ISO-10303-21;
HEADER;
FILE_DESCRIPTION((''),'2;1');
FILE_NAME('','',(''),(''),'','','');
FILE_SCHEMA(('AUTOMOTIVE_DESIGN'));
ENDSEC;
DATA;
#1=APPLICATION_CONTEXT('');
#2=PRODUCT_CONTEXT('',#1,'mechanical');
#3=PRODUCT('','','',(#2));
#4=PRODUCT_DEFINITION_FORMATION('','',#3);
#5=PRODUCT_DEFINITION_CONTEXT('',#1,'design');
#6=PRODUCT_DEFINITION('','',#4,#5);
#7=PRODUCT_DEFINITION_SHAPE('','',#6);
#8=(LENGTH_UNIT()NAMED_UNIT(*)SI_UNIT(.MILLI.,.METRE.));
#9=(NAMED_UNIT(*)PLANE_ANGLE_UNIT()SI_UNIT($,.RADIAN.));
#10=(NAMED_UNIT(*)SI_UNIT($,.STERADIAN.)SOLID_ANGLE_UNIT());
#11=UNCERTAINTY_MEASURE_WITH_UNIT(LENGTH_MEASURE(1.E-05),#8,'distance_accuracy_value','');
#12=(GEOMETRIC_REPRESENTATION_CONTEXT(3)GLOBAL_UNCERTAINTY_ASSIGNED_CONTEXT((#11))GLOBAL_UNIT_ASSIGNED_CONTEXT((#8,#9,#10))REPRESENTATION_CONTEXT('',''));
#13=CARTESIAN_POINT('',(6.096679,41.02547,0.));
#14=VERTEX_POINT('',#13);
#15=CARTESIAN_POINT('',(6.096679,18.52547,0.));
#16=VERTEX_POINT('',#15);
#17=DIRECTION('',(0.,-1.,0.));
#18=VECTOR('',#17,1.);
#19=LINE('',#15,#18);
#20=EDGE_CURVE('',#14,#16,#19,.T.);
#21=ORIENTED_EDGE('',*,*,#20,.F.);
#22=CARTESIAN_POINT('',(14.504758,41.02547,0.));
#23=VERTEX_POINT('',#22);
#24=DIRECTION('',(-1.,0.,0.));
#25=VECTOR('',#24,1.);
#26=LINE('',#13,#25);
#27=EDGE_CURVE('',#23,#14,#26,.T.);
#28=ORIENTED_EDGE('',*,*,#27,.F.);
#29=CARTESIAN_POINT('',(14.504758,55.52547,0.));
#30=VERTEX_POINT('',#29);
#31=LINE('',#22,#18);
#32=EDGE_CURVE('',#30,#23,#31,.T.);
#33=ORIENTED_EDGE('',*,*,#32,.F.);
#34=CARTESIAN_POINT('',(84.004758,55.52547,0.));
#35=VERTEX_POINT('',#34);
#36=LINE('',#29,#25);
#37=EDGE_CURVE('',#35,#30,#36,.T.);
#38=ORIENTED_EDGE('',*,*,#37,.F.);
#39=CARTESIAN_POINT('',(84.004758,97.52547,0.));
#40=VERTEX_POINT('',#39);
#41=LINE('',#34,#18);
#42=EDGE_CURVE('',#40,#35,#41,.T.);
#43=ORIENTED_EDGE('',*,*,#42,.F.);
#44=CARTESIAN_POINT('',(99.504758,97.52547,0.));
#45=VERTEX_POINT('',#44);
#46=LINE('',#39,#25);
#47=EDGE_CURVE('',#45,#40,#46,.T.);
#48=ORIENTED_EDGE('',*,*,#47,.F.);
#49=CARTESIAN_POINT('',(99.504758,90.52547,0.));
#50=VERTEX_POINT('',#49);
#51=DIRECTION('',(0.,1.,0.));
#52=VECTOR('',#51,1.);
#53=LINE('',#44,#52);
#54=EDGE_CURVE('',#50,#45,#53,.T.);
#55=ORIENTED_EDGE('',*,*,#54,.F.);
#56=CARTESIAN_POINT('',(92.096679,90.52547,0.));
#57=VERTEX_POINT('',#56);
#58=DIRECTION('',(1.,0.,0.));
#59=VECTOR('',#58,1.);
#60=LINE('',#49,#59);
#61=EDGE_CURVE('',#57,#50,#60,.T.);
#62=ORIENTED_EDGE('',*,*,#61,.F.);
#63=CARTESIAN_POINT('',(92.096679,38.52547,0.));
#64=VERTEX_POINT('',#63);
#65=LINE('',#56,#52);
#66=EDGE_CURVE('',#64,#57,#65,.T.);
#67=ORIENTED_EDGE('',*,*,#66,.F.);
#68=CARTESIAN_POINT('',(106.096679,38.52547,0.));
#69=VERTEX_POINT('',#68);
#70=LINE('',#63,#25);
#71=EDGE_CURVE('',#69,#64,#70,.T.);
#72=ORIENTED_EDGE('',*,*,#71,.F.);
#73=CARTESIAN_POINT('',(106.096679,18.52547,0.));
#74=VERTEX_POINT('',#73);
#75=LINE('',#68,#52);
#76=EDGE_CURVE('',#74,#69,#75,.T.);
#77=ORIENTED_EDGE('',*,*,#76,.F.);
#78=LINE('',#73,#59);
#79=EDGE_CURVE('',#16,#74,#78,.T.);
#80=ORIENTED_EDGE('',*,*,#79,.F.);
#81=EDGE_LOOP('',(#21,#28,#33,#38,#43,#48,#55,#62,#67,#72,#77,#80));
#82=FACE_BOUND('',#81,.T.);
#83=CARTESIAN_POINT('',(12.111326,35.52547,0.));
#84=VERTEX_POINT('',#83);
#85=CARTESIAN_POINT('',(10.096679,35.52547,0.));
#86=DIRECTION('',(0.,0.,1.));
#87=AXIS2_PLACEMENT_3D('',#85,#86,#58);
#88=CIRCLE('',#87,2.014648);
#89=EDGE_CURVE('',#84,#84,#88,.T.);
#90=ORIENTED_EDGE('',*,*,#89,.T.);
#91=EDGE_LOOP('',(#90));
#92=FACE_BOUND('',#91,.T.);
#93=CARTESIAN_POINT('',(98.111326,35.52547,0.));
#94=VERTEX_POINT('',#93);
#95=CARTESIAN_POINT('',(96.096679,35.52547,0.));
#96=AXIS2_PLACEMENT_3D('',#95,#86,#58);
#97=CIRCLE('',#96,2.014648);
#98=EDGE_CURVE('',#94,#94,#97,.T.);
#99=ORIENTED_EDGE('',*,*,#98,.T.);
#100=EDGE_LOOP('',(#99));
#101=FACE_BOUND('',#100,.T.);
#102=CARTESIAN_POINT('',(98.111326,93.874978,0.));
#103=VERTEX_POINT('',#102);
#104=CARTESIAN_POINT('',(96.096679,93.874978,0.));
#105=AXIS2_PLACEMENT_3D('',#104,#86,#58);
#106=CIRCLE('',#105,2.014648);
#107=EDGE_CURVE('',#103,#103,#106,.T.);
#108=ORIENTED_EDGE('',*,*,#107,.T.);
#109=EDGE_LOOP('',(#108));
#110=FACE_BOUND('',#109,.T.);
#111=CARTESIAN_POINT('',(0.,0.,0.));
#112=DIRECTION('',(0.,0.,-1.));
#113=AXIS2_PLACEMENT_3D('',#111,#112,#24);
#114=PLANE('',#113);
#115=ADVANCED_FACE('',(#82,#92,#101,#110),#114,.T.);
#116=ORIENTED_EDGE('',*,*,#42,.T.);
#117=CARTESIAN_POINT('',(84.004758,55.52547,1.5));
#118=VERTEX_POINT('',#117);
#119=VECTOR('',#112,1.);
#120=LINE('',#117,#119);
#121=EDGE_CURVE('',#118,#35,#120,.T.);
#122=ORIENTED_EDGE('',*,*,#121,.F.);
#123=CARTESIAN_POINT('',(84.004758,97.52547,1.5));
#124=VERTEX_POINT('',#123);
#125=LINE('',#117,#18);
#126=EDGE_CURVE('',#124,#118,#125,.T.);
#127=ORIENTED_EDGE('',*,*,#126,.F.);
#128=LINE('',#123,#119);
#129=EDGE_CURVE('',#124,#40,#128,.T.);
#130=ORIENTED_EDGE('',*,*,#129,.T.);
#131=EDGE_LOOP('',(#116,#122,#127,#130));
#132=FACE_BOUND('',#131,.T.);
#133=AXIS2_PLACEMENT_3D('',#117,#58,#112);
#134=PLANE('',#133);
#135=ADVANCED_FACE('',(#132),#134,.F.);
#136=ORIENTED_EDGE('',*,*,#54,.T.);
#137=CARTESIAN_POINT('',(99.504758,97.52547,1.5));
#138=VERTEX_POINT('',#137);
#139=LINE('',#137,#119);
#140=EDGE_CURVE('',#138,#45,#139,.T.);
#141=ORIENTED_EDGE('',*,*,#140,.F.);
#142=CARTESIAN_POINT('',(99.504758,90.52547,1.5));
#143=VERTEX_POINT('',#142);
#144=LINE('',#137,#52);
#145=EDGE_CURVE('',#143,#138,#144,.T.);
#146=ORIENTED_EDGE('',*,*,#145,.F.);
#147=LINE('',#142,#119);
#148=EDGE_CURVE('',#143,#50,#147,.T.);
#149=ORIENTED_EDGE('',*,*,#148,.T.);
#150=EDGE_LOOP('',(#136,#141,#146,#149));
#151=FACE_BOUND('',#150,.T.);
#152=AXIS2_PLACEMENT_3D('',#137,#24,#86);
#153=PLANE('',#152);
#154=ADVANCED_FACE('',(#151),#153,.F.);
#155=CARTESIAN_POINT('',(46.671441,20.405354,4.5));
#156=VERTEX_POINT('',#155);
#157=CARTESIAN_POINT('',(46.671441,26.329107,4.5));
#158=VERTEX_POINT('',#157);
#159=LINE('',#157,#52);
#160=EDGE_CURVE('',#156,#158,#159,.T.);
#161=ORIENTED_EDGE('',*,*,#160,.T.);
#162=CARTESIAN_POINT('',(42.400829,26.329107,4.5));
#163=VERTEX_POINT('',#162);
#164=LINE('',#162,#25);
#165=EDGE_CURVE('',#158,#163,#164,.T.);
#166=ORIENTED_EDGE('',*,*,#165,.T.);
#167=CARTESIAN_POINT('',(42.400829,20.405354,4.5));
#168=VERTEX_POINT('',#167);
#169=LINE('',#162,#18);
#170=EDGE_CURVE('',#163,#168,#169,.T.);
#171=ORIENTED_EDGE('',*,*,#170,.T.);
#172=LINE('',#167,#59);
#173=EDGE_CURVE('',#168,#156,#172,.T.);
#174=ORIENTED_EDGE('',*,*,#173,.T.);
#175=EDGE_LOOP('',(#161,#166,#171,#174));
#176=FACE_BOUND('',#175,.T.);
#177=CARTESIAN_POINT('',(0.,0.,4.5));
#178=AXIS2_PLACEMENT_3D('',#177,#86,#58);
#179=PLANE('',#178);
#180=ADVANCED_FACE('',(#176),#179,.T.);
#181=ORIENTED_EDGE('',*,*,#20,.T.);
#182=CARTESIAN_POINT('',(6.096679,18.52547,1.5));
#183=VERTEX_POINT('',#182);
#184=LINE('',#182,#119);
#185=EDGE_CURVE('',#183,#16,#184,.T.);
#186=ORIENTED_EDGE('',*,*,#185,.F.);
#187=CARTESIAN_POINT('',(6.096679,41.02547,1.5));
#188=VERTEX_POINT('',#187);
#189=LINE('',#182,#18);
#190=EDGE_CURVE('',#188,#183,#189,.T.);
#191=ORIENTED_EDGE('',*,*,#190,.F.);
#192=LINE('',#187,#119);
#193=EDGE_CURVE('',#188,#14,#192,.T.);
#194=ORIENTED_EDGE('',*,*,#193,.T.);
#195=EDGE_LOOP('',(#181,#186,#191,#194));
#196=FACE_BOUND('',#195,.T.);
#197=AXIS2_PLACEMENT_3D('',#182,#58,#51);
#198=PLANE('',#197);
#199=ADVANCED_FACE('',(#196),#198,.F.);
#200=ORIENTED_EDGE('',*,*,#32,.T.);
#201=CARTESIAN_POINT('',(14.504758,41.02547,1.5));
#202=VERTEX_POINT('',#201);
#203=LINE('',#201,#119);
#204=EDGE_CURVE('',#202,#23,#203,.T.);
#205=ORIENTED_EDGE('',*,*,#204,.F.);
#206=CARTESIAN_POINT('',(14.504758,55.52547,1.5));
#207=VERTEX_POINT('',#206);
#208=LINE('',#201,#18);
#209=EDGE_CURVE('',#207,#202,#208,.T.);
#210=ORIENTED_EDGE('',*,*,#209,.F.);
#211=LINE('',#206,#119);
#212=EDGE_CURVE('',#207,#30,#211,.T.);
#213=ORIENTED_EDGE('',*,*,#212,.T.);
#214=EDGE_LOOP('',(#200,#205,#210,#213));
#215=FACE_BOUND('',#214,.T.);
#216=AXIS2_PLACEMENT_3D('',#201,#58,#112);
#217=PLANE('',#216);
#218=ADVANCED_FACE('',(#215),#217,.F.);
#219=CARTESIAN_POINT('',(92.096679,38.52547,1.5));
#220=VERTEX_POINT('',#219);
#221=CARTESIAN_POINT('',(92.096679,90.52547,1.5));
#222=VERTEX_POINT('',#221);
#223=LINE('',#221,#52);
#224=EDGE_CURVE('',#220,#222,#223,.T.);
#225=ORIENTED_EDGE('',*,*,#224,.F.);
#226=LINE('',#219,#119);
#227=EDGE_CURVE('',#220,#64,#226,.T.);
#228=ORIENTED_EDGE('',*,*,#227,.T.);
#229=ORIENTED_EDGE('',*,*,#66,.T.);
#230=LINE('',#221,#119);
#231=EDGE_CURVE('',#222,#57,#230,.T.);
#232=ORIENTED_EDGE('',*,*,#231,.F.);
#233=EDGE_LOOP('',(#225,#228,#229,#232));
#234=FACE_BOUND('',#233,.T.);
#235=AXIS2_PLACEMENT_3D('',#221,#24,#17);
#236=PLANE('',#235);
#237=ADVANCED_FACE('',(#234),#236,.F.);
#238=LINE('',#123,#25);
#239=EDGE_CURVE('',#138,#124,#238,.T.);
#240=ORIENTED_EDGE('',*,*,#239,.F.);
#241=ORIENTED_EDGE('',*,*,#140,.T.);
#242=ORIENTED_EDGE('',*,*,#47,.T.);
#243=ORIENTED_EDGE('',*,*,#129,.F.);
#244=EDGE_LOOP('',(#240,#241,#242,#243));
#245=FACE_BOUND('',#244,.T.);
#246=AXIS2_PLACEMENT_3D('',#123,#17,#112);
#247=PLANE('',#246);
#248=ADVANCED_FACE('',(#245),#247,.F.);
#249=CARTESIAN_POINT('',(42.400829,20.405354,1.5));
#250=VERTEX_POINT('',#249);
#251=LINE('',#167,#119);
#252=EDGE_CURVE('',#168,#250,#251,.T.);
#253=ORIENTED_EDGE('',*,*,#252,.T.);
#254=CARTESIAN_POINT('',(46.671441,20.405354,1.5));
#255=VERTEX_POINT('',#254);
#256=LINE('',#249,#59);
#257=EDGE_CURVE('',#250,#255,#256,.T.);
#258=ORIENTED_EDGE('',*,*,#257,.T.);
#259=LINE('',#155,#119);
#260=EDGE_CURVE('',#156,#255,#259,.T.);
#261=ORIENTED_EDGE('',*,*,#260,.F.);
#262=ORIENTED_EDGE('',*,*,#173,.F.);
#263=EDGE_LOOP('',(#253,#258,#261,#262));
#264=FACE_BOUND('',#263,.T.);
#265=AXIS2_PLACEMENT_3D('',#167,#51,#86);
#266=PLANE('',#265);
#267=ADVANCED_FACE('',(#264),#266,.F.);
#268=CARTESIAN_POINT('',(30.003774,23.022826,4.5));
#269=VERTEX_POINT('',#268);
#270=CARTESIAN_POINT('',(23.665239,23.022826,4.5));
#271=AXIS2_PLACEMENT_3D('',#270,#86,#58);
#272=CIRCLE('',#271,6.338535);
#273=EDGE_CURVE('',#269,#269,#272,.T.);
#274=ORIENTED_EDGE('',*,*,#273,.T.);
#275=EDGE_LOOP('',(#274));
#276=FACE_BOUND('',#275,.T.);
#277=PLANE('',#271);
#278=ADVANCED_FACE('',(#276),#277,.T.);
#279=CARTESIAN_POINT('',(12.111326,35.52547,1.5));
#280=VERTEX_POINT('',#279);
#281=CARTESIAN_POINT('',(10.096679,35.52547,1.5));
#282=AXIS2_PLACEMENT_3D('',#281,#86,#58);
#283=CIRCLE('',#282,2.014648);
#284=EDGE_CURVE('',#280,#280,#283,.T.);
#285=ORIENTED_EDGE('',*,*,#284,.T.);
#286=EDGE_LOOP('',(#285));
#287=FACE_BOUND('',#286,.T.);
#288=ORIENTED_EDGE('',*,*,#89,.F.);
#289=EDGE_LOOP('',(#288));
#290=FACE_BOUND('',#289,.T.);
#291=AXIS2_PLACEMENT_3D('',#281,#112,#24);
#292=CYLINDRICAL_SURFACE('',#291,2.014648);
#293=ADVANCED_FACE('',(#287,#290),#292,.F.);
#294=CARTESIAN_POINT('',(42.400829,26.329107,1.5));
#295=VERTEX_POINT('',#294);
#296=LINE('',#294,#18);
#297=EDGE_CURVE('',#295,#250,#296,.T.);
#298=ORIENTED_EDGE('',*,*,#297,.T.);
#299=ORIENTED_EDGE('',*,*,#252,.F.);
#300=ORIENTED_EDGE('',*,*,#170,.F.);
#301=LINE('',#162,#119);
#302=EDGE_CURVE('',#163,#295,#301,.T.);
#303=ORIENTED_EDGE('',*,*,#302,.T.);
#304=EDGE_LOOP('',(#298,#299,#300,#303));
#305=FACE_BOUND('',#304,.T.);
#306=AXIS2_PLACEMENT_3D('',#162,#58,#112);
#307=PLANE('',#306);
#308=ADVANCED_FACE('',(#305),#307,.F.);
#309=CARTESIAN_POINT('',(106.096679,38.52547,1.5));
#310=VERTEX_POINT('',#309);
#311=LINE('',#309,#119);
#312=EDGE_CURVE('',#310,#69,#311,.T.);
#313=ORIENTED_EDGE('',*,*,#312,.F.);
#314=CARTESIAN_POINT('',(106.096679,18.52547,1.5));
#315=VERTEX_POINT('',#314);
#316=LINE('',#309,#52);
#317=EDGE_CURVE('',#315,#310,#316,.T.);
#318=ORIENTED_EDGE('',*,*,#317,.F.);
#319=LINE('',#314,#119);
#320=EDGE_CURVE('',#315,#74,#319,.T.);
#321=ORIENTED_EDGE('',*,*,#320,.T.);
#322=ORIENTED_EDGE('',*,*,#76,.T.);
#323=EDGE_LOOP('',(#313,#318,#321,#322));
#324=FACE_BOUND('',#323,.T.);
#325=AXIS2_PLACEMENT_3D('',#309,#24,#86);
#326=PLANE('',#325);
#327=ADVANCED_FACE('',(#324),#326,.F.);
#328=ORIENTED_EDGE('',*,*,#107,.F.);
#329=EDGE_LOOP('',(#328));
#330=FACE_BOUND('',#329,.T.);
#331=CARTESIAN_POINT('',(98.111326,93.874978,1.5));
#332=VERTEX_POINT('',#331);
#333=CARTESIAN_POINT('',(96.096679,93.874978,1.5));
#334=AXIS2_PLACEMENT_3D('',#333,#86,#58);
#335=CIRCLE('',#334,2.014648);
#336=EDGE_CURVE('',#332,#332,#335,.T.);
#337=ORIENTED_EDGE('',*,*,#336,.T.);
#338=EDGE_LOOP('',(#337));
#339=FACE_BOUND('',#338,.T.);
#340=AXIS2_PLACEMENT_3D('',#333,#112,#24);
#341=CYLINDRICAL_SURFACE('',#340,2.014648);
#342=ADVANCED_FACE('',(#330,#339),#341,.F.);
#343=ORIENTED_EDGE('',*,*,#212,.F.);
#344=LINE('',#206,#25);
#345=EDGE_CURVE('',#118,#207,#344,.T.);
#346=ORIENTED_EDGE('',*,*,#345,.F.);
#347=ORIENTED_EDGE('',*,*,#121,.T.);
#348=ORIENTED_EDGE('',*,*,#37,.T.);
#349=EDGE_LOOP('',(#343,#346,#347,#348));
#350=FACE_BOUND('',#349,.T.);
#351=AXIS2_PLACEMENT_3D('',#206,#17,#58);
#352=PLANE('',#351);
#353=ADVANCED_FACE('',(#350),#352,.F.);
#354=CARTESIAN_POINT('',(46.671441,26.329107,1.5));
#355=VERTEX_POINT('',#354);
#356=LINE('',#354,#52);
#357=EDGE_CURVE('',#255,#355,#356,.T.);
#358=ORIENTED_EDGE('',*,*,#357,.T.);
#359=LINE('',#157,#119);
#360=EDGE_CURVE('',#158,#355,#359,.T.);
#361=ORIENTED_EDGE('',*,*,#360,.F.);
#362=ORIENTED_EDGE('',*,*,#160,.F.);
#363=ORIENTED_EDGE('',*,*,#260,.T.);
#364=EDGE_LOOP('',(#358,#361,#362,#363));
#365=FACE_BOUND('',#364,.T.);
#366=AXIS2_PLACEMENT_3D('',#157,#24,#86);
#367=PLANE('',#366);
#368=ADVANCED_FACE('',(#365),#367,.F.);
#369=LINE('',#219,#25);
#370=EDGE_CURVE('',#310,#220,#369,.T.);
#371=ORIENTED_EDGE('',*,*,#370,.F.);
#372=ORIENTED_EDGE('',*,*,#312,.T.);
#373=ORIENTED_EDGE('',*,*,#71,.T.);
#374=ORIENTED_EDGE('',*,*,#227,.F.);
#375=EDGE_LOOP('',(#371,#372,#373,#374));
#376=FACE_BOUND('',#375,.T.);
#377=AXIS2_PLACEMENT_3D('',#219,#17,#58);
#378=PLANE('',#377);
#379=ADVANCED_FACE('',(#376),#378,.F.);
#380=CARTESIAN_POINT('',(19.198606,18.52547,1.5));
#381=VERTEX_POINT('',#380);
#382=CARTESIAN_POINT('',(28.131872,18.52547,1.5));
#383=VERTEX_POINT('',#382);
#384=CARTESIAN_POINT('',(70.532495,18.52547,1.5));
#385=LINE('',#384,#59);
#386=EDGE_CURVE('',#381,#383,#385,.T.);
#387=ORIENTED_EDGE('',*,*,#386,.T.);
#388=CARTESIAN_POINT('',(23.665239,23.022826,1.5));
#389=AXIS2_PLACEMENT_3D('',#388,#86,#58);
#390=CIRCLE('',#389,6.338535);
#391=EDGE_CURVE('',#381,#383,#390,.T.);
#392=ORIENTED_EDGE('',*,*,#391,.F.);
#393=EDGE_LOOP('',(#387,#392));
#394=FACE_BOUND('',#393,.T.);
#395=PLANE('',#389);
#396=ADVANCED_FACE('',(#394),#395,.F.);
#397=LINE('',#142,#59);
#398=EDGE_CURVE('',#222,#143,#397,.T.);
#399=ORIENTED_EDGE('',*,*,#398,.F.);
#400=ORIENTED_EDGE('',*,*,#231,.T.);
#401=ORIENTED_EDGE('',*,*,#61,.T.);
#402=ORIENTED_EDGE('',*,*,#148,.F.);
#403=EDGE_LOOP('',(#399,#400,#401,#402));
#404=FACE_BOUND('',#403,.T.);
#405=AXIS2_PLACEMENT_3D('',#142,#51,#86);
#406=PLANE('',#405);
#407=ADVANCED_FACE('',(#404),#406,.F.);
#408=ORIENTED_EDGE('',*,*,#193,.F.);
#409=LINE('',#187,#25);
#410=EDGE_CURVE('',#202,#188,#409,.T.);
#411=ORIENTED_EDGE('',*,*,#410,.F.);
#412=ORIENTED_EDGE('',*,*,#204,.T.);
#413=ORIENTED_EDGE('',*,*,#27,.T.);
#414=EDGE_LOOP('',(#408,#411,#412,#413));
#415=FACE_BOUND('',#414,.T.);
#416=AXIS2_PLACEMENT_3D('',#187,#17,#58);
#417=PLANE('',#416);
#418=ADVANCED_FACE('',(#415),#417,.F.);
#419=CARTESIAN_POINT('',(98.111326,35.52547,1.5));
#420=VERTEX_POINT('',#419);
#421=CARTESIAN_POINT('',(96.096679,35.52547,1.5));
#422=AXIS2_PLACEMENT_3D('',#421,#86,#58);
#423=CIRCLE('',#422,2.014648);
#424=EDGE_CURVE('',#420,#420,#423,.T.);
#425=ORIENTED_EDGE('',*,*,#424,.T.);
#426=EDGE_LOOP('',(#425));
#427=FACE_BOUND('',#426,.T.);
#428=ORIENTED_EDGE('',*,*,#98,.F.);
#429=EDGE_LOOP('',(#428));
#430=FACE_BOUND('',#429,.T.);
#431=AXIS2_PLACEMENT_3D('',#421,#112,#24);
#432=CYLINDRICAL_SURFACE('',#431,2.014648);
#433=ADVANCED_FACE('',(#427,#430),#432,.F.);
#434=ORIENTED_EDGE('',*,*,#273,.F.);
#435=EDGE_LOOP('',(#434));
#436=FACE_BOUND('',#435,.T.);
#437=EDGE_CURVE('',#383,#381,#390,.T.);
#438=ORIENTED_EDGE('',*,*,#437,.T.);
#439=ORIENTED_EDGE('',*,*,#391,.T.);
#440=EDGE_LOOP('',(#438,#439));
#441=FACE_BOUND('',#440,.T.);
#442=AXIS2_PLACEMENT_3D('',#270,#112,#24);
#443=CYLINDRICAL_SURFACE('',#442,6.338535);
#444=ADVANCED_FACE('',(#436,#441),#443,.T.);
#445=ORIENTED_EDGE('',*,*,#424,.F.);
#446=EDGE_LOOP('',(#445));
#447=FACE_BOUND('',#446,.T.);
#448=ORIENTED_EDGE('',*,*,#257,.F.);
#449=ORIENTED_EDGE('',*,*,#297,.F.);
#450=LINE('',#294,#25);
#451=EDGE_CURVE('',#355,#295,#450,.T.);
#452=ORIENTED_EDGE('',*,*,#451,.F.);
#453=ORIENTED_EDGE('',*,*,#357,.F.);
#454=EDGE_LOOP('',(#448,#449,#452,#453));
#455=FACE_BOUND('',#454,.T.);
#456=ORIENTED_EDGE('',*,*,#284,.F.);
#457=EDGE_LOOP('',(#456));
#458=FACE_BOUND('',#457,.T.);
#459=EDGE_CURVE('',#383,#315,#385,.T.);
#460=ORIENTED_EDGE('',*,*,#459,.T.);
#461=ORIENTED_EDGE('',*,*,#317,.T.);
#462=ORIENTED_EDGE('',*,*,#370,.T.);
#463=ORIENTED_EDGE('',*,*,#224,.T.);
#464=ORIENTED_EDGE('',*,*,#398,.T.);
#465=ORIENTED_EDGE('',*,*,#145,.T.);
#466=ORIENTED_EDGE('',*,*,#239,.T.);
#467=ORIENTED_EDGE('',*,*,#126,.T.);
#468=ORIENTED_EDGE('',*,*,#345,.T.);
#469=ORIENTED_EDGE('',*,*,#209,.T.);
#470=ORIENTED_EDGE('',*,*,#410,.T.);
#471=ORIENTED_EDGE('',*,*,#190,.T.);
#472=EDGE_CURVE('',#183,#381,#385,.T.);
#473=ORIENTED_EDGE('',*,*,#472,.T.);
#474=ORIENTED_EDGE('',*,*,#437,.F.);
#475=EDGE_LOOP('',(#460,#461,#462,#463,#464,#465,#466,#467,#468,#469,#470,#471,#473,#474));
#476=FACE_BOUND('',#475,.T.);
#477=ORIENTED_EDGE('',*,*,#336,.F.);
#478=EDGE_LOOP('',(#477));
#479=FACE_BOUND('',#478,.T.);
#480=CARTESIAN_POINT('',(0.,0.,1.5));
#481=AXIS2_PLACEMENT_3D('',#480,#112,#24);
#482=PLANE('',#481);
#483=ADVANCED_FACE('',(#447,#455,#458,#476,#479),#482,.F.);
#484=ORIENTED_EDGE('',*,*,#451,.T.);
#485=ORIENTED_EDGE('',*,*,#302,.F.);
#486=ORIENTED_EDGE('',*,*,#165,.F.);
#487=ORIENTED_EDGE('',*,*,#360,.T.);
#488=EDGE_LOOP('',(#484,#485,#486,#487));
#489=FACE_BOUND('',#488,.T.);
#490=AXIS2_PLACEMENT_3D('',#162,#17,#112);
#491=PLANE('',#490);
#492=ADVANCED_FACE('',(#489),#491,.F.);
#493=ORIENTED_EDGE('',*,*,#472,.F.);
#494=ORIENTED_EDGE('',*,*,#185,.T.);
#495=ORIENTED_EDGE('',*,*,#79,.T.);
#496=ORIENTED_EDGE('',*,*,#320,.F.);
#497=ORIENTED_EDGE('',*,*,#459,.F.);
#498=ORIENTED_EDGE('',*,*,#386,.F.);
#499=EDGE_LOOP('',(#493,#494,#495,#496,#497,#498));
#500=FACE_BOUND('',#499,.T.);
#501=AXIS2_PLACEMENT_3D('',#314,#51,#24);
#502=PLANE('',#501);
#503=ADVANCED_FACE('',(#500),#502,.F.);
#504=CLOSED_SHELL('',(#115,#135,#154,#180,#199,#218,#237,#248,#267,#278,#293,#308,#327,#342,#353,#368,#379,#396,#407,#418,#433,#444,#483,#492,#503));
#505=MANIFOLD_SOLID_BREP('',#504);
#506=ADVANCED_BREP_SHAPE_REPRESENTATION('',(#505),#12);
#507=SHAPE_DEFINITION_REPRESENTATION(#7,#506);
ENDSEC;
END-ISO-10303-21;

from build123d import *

# Parameters (mm, degrees)
SKETCH1_R           = 2.014647572
BOSS_EXTRUDE1_DEPTH = 1.5
SKETCH2_R           = 6.338534982
SKETCH2_W           = 4.270612397
SKETCH2_H           = 5.923752679
BOSS_EXTRUDE2_DEPTH = 3


with BuildPart() as part:
    # Sketch1 → Boss-Extrude1 (new body)
    with BuildSketch(Plane.XY):
        Polygon((6.096678716, 18.525469925), (6.096678716, 41.025469925), (14.504757975, 41.025469925), (14.504757975, 55.525469925), (84.004757975, 55.525469925), (84.004757975, 97.525469925), (99.504757975, 97.525469925), (99.504757975, 90.525469925), (92.096678716, 90.525469925), (92.096678716, 38.525469925), (106.096678716, 38.525469925), (106.096678716, 18.525469925), (70.532495119, 18.525469925), align=None)
        with Locations((96.096678716, 35.525469925)):
            Circle(SKETCH1_R, mode=Mode.SUBTRACT)
        with Locations((96.096678716, 93.874977547)):
            Circle(SKETCH1_R, mode=Mode.SUBTRACT)
        with Locations((10.096678716, 35.525469925)):
            Circle(SKETCH1_R, mode=Mode.SUBTRACT)
    extrude(amount=BOSS_EXTRUDE1_DEPTH)

    # Sketch2 → Boss-Extrude2 (add)
    with BuildSketch(Plane.XY.offset(1.5)):
        with Locations(Location((23.665238751, 23.02282619, 0), (0, 0, 225.19637393))):
            Circle(SKETCH2_R)
        with Locations((44.536134816, 23.367230416)):
            Rectangle(SKETCH2_W, SKETCH2_H)
    extrude(amount=BOSS_EXTRUDE2_DEPTH)


solid = part.part
